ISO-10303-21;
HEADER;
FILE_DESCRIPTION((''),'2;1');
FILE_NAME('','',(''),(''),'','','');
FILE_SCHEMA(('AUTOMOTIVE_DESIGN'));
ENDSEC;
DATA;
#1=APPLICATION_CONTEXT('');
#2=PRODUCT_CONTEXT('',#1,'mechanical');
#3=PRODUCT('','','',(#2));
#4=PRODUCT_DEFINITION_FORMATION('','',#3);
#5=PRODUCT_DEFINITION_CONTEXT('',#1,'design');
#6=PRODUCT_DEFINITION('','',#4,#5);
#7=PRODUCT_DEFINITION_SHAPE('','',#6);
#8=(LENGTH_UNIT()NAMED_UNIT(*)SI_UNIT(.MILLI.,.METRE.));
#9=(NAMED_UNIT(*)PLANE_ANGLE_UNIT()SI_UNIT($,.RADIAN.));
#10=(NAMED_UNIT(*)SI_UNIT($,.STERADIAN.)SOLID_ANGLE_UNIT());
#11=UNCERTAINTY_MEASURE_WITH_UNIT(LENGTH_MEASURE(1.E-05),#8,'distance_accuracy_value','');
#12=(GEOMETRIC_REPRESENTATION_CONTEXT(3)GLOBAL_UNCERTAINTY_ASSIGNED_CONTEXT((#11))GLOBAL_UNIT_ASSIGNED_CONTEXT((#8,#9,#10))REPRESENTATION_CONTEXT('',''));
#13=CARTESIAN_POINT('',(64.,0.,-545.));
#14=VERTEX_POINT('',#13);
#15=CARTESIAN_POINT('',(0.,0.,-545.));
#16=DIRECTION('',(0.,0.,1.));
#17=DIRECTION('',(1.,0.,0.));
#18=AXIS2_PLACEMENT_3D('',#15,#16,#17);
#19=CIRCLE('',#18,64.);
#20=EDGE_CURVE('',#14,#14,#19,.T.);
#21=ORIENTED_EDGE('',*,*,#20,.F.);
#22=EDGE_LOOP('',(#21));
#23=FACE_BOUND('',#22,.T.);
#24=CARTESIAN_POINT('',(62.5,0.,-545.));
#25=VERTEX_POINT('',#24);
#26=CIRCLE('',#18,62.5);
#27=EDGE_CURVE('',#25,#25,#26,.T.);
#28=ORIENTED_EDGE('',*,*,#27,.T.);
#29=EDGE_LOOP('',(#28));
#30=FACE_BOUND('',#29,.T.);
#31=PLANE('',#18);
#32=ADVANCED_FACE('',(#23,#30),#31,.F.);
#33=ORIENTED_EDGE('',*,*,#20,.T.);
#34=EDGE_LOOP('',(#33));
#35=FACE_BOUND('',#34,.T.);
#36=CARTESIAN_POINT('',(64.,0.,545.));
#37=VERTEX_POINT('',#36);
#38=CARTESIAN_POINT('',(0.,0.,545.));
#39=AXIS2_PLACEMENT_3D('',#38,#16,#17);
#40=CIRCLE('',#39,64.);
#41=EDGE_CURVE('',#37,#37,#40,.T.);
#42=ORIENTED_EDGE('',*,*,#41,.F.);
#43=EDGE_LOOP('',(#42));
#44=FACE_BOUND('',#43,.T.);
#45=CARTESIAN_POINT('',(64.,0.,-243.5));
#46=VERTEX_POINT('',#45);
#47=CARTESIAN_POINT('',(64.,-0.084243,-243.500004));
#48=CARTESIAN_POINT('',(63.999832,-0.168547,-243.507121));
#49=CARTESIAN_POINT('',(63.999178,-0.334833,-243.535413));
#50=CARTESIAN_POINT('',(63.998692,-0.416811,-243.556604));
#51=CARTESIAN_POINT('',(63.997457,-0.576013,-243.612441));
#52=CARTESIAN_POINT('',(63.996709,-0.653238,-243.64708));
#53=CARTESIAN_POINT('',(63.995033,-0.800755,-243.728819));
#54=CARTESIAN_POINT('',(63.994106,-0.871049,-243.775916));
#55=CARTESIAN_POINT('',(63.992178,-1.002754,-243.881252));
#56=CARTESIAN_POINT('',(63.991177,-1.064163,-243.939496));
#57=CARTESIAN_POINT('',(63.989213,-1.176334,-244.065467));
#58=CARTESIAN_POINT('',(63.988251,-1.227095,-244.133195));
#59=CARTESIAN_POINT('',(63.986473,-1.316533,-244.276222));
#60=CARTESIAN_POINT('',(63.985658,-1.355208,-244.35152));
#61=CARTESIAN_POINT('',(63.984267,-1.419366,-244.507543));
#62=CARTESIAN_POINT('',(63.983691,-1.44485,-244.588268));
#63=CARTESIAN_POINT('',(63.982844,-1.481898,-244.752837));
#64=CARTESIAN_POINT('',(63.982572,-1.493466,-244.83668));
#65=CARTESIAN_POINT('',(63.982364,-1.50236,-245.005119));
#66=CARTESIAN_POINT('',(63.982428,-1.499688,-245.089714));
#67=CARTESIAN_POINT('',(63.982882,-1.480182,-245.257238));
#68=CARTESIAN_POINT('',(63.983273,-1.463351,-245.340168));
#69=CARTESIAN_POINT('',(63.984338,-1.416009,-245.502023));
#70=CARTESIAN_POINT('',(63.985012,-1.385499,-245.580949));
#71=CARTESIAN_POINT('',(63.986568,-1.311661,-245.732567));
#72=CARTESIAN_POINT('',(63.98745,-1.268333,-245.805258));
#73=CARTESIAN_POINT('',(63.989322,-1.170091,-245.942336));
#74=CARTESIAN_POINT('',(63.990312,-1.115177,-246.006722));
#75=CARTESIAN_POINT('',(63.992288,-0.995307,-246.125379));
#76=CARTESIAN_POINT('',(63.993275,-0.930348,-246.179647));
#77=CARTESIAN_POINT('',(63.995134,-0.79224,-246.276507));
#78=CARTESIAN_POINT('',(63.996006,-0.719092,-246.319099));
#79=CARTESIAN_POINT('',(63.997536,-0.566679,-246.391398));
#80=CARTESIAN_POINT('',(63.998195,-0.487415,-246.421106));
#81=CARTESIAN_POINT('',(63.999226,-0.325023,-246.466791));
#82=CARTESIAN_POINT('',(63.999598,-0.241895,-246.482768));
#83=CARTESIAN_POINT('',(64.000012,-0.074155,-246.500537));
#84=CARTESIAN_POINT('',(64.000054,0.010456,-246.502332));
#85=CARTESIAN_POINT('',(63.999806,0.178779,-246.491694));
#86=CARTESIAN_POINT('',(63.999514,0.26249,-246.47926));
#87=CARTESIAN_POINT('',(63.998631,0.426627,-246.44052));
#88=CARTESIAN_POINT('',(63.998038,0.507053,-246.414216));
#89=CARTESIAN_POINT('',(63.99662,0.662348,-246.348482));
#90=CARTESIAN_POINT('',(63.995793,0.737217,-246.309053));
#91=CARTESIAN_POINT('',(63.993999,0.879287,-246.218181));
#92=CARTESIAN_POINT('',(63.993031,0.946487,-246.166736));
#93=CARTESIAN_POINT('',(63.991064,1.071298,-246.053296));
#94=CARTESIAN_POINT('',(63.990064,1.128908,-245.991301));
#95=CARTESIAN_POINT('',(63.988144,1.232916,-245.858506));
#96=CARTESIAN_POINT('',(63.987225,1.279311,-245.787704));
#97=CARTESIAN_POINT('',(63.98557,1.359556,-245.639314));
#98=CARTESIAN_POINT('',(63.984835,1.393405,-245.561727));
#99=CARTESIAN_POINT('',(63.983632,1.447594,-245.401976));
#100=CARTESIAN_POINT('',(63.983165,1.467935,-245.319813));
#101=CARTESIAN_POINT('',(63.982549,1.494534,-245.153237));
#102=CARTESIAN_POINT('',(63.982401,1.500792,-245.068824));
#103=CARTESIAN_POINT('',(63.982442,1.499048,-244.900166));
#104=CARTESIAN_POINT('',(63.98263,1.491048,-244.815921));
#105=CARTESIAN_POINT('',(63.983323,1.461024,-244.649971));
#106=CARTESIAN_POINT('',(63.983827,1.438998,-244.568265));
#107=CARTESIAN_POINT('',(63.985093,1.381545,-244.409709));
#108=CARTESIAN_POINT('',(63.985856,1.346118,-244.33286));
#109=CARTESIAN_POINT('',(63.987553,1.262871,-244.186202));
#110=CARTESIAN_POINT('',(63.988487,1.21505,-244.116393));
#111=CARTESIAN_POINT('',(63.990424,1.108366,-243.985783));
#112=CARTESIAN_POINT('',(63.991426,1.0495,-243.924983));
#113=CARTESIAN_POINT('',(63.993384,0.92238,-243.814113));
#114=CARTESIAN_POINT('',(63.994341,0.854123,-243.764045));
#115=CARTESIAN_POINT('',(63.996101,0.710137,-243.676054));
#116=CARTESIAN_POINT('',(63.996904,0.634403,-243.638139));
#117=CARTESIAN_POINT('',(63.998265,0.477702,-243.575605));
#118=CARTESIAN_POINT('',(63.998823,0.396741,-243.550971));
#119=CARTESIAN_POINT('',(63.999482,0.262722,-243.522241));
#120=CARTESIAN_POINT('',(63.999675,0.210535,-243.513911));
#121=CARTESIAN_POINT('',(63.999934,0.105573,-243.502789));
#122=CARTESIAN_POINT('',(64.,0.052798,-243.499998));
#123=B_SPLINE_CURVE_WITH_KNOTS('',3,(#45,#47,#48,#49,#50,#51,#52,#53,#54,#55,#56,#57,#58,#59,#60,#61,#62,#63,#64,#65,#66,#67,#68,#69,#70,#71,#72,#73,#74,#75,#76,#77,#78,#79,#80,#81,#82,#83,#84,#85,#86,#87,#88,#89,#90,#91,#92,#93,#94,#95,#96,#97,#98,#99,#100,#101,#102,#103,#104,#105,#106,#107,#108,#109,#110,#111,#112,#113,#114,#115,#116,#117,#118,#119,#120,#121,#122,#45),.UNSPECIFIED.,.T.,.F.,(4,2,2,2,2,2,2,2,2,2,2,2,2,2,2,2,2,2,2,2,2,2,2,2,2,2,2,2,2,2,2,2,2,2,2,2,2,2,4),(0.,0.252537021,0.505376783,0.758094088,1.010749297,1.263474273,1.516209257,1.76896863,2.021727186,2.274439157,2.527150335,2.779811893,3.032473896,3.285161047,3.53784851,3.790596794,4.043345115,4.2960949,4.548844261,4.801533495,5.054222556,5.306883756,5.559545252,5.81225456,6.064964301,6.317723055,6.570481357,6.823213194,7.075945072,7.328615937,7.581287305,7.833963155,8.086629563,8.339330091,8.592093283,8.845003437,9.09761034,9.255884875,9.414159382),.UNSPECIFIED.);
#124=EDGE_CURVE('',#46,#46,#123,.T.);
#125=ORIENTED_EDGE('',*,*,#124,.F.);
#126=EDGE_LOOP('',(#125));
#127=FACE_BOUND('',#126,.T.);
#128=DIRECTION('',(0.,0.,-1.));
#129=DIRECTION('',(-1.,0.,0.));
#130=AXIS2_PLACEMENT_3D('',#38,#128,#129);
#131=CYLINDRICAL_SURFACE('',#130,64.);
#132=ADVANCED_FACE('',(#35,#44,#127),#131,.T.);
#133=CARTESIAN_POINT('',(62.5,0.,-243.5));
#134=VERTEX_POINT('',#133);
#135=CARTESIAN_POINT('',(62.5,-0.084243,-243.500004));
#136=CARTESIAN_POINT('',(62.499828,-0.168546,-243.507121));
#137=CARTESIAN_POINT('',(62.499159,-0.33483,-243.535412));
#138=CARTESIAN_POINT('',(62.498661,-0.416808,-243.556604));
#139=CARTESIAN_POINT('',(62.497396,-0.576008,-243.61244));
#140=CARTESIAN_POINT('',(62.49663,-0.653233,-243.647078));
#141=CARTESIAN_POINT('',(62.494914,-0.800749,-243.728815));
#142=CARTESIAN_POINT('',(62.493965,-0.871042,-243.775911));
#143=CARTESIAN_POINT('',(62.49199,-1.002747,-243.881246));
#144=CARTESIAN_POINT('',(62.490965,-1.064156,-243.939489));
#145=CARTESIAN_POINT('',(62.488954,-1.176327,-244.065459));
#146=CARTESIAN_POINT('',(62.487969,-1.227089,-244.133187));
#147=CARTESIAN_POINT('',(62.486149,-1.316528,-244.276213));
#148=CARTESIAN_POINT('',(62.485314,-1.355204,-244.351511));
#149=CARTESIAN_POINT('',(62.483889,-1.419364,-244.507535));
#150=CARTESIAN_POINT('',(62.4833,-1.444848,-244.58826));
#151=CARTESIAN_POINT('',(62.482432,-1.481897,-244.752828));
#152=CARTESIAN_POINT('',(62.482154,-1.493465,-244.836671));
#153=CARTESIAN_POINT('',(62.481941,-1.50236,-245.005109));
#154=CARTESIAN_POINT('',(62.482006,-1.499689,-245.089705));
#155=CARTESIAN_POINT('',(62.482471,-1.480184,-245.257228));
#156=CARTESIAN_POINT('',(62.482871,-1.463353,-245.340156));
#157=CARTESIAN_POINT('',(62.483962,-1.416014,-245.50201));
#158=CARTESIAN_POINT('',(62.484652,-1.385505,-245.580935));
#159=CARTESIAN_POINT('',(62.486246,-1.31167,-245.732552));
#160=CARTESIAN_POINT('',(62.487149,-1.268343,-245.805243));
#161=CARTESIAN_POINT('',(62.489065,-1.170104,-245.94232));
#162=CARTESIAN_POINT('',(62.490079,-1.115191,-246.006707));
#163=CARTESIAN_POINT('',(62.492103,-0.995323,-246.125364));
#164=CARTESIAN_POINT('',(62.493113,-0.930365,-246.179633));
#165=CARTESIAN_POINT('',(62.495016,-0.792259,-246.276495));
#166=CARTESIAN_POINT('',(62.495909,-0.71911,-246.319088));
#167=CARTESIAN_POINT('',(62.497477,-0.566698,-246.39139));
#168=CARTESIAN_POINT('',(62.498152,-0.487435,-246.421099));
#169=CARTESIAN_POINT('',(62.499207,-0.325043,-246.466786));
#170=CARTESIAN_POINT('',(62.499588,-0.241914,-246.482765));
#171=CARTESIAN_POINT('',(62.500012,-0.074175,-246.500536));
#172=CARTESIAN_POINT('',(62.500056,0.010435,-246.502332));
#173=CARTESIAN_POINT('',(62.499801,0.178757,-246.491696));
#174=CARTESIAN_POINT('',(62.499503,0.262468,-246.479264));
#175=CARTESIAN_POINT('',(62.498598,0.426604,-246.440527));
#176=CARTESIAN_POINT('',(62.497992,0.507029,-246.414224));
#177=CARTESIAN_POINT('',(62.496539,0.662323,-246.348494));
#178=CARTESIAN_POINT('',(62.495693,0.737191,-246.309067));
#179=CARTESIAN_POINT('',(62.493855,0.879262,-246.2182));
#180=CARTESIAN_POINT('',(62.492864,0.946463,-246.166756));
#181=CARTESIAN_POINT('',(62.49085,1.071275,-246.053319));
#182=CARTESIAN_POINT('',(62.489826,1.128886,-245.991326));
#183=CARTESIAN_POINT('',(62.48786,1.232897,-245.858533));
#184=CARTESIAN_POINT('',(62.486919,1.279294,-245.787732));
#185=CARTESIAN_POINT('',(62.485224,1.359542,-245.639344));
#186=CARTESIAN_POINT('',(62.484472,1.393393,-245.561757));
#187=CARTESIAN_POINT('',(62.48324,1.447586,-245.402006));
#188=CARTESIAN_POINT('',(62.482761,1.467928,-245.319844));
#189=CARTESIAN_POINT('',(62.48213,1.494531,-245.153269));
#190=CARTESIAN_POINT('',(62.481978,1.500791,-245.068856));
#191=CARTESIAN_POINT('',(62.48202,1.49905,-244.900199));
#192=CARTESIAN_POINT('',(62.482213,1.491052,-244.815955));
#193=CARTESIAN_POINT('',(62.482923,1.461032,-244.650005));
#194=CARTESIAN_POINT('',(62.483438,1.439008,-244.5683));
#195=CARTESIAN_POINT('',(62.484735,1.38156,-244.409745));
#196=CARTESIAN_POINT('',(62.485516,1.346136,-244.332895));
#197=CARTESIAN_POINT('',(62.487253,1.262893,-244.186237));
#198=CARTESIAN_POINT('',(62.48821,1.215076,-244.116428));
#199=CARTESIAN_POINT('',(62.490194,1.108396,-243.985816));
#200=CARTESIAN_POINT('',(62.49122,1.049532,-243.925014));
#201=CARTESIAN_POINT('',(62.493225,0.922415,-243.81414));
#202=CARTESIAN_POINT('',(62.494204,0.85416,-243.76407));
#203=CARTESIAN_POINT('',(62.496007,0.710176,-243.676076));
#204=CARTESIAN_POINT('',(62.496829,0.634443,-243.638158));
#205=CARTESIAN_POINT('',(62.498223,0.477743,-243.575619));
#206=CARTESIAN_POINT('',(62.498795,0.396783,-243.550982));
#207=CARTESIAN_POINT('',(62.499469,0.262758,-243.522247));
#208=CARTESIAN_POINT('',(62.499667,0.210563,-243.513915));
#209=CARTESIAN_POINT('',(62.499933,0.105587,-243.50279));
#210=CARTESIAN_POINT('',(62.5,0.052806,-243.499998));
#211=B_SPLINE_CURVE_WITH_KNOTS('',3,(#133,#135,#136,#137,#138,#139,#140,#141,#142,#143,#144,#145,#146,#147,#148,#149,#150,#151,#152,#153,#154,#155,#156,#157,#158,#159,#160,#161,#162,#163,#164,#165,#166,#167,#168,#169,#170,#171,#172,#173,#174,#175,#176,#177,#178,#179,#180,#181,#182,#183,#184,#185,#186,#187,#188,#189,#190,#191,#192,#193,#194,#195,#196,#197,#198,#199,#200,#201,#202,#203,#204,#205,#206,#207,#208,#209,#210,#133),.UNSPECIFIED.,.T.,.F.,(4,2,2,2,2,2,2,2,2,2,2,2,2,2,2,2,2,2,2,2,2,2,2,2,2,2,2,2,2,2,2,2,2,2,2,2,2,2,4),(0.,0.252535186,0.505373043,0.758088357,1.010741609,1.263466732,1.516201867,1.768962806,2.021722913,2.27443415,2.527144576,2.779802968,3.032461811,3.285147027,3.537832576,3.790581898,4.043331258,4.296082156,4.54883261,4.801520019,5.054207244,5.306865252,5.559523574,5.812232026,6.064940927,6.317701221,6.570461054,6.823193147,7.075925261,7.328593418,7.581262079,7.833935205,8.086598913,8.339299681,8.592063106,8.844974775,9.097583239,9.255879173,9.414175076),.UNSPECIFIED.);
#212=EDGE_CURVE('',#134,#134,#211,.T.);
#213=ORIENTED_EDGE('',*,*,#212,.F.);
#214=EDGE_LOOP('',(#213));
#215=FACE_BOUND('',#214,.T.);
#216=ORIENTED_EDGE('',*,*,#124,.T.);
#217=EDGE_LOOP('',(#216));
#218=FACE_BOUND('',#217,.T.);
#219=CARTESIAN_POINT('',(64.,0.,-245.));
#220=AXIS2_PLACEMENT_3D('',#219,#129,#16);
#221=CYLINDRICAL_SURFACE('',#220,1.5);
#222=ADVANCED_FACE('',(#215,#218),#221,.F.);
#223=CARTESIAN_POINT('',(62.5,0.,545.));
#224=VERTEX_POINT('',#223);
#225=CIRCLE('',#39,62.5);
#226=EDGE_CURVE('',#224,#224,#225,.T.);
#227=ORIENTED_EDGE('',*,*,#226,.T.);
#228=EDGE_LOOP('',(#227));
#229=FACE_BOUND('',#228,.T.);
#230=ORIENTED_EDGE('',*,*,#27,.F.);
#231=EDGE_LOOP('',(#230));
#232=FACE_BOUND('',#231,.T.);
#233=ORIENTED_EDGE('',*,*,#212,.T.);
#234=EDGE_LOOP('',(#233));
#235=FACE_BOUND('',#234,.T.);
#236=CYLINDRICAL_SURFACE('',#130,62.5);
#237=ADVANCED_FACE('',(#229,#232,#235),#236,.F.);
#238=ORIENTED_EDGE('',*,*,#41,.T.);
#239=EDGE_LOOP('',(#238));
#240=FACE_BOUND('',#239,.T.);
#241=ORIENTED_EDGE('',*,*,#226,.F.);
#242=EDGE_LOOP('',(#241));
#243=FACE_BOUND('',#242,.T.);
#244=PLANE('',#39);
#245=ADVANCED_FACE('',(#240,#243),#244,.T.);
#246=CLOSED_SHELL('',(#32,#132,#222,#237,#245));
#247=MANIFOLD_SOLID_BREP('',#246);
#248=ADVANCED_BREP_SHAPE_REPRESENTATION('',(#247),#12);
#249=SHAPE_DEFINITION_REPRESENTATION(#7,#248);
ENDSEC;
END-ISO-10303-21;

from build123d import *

# Parameters (mm, degrees)
SKETCH1_R           = 64
SKETCH1_R_2         = 62.5
BOSS_EXTRUDE1_DEPTH = 545
SKETCH2_R           = 1.5
CUT_EXTRUDE1_DEPTH  = 553.464478496


with BuildPart() as part:
    # Sketch1 → Boss-Extrude1 (new, symmetric)
    with BuildSketch(Plane.XY):
        Circle(SKETCH1_R)
        Circle(SKETCH1_R_2, mode=Mode.SUBTRACT)
    extrude(amount=BOSS_EXTRUDE1_DEPTH, both=True)

    # Sketch2 → Cut-Extrude1 (cut, through all)
    with BuildSketch(Plane(origin=(0, 0, 0), x_dir=(0, 0, -1), z_dir=(1, 0, 0))):
        with Locations(Location((245, 0, 0), (0, 0, 180))):
            Circle(SKETCH2_R)
    extrude(amount=CUT_EXTRUDE1_DEPTH, mode=Mode.SUBTRACT)


solid = part.part
